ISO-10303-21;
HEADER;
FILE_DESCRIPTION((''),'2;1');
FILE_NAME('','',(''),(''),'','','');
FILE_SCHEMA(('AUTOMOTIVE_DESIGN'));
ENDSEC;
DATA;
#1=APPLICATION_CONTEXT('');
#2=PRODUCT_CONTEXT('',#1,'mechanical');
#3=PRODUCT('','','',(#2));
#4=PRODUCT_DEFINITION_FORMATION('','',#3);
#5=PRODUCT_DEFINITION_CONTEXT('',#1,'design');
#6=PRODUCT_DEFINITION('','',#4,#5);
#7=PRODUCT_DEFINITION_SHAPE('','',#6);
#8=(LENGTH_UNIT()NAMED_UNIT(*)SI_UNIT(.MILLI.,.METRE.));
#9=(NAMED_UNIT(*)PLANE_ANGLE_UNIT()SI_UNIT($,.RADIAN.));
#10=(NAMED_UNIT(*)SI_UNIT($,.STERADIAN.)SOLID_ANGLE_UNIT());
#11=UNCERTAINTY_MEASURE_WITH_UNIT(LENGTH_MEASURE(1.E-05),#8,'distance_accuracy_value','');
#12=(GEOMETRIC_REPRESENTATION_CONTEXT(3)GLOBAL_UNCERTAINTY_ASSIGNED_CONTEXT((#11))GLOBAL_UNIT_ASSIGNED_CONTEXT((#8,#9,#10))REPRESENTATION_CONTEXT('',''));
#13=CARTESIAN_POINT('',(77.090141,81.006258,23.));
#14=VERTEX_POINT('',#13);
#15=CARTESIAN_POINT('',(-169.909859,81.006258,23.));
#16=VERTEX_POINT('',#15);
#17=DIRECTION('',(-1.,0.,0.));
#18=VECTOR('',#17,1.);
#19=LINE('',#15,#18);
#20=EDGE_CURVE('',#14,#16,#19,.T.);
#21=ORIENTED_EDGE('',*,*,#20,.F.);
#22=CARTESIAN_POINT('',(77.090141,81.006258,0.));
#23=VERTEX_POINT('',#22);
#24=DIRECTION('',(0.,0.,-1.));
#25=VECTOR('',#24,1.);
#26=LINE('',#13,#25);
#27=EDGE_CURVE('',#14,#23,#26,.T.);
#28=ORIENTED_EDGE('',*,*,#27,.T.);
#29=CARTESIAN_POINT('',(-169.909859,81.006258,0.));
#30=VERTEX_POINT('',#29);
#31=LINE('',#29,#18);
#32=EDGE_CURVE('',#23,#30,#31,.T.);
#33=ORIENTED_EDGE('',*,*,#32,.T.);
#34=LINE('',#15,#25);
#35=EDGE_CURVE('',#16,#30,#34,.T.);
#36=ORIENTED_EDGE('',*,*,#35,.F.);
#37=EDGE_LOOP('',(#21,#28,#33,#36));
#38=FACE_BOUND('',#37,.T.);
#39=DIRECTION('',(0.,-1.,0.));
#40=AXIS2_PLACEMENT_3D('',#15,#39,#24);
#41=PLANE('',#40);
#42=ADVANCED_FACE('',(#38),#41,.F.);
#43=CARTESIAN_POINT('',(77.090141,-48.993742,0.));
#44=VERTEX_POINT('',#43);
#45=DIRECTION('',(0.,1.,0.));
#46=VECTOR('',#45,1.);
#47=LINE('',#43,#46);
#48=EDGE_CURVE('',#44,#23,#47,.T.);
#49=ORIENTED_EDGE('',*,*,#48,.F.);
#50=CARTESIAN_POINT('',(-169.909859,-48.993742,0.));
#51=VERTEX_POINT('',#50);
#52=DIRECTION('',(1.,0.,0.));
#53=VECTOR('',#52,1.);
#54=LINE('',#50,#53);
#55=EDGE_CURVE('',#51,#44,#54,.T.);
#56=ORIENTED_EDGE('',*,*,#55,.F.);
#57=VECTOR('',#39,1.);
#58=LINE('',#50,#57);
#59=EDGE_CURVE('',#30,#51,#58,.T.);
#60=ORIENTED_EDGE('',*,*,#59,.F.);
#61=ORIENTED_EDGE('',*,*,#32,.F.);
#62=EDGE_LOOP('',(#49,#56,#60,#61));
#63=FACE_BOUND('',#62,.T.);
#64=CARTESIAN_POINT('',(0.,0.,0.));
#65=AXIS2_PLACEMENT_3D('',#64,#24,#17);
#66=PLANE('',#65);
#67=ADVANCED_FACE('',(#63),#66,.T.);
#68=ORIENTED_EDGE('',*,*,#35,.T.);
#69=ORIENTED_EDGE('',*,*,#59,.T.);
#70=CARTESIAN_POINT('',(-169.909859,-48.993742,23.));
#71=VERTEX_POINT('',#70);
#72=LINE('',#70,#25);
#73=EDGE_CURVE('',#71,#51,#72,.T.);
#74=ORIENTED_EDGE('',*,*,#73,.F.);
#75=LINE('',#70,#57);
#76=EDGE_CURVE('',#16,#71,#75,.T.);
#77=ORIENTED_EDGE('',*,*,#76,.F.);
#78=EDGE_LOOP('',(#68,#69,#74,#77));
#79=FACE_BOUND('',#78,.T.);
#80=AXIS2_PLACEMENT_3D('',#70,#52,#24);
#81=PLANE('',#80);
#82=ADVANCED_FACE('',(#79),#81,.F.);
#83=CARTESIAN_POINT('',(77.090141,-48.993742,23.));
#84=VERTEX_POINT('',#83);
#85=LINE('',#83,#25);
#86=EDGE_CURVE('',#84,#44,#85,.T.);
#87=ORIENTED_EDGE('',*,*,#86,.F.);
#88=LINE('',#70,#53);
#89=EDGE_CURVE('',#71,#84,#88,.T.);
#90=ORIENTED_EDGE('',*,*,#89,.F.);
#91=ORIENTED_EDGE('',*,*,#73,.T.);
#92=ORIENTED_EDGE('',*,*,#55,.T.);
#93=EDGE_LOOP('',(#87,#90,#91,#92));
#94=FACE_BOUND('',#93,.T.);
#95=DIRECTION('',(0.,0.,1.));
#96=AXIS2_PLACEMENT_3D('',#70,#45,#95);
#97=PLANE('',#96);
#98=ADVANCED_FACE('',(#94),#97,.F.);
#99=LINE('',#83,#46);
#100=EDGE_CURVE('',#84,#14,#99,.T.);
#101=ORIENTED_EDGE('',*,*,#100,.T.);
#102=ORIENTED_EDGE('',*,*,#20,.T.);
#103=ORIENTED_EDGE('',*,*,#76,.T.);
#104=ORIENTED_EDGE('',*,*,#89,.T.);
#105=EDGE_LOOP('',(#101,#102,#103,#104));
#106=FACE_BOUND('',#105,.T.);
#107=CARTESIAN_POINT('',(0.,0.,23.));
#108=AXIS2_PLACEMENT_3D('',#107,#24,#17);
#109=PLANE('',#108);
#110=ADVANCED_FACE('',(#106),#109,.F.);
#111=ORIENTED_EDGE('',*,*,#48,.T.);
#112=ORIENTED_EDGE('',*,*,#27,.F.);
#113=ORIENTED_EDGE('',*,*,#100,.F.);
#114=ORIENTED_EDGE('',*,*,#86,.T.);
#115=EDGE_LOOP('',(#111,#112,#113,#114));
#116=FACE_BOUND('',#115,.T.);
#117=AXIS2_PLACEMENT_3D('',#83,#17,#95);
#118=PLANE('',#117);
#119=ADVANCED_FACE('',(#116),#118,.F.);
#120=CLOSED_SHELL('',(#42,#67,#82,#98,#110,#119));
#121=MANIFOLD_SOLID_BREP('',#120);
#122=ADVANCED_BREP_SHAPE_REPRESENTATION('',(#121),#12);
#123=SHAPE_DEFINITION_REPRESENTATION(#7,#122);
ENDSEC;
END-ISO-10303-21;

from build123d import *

# Parameters (mm, degrees)
ESBO_O1_W                = 247
ESBO_O1_H                = 130
RESSALTO_EXTRUS_O1_DEPTH = 23


with BuildPart() as part:
    # Esboço1 → Ressalto-extrusão1 (new body)
    with BuildSketch(Plane.XY):
        with Locations((-46.409858807, 16.006257901)):
            Rectangle(ESBO_O1_W, ESBO_O1_H)
    extrude(amount=RESSALTO_EXTRUS_O1_DEPTH)


solid = part.part
